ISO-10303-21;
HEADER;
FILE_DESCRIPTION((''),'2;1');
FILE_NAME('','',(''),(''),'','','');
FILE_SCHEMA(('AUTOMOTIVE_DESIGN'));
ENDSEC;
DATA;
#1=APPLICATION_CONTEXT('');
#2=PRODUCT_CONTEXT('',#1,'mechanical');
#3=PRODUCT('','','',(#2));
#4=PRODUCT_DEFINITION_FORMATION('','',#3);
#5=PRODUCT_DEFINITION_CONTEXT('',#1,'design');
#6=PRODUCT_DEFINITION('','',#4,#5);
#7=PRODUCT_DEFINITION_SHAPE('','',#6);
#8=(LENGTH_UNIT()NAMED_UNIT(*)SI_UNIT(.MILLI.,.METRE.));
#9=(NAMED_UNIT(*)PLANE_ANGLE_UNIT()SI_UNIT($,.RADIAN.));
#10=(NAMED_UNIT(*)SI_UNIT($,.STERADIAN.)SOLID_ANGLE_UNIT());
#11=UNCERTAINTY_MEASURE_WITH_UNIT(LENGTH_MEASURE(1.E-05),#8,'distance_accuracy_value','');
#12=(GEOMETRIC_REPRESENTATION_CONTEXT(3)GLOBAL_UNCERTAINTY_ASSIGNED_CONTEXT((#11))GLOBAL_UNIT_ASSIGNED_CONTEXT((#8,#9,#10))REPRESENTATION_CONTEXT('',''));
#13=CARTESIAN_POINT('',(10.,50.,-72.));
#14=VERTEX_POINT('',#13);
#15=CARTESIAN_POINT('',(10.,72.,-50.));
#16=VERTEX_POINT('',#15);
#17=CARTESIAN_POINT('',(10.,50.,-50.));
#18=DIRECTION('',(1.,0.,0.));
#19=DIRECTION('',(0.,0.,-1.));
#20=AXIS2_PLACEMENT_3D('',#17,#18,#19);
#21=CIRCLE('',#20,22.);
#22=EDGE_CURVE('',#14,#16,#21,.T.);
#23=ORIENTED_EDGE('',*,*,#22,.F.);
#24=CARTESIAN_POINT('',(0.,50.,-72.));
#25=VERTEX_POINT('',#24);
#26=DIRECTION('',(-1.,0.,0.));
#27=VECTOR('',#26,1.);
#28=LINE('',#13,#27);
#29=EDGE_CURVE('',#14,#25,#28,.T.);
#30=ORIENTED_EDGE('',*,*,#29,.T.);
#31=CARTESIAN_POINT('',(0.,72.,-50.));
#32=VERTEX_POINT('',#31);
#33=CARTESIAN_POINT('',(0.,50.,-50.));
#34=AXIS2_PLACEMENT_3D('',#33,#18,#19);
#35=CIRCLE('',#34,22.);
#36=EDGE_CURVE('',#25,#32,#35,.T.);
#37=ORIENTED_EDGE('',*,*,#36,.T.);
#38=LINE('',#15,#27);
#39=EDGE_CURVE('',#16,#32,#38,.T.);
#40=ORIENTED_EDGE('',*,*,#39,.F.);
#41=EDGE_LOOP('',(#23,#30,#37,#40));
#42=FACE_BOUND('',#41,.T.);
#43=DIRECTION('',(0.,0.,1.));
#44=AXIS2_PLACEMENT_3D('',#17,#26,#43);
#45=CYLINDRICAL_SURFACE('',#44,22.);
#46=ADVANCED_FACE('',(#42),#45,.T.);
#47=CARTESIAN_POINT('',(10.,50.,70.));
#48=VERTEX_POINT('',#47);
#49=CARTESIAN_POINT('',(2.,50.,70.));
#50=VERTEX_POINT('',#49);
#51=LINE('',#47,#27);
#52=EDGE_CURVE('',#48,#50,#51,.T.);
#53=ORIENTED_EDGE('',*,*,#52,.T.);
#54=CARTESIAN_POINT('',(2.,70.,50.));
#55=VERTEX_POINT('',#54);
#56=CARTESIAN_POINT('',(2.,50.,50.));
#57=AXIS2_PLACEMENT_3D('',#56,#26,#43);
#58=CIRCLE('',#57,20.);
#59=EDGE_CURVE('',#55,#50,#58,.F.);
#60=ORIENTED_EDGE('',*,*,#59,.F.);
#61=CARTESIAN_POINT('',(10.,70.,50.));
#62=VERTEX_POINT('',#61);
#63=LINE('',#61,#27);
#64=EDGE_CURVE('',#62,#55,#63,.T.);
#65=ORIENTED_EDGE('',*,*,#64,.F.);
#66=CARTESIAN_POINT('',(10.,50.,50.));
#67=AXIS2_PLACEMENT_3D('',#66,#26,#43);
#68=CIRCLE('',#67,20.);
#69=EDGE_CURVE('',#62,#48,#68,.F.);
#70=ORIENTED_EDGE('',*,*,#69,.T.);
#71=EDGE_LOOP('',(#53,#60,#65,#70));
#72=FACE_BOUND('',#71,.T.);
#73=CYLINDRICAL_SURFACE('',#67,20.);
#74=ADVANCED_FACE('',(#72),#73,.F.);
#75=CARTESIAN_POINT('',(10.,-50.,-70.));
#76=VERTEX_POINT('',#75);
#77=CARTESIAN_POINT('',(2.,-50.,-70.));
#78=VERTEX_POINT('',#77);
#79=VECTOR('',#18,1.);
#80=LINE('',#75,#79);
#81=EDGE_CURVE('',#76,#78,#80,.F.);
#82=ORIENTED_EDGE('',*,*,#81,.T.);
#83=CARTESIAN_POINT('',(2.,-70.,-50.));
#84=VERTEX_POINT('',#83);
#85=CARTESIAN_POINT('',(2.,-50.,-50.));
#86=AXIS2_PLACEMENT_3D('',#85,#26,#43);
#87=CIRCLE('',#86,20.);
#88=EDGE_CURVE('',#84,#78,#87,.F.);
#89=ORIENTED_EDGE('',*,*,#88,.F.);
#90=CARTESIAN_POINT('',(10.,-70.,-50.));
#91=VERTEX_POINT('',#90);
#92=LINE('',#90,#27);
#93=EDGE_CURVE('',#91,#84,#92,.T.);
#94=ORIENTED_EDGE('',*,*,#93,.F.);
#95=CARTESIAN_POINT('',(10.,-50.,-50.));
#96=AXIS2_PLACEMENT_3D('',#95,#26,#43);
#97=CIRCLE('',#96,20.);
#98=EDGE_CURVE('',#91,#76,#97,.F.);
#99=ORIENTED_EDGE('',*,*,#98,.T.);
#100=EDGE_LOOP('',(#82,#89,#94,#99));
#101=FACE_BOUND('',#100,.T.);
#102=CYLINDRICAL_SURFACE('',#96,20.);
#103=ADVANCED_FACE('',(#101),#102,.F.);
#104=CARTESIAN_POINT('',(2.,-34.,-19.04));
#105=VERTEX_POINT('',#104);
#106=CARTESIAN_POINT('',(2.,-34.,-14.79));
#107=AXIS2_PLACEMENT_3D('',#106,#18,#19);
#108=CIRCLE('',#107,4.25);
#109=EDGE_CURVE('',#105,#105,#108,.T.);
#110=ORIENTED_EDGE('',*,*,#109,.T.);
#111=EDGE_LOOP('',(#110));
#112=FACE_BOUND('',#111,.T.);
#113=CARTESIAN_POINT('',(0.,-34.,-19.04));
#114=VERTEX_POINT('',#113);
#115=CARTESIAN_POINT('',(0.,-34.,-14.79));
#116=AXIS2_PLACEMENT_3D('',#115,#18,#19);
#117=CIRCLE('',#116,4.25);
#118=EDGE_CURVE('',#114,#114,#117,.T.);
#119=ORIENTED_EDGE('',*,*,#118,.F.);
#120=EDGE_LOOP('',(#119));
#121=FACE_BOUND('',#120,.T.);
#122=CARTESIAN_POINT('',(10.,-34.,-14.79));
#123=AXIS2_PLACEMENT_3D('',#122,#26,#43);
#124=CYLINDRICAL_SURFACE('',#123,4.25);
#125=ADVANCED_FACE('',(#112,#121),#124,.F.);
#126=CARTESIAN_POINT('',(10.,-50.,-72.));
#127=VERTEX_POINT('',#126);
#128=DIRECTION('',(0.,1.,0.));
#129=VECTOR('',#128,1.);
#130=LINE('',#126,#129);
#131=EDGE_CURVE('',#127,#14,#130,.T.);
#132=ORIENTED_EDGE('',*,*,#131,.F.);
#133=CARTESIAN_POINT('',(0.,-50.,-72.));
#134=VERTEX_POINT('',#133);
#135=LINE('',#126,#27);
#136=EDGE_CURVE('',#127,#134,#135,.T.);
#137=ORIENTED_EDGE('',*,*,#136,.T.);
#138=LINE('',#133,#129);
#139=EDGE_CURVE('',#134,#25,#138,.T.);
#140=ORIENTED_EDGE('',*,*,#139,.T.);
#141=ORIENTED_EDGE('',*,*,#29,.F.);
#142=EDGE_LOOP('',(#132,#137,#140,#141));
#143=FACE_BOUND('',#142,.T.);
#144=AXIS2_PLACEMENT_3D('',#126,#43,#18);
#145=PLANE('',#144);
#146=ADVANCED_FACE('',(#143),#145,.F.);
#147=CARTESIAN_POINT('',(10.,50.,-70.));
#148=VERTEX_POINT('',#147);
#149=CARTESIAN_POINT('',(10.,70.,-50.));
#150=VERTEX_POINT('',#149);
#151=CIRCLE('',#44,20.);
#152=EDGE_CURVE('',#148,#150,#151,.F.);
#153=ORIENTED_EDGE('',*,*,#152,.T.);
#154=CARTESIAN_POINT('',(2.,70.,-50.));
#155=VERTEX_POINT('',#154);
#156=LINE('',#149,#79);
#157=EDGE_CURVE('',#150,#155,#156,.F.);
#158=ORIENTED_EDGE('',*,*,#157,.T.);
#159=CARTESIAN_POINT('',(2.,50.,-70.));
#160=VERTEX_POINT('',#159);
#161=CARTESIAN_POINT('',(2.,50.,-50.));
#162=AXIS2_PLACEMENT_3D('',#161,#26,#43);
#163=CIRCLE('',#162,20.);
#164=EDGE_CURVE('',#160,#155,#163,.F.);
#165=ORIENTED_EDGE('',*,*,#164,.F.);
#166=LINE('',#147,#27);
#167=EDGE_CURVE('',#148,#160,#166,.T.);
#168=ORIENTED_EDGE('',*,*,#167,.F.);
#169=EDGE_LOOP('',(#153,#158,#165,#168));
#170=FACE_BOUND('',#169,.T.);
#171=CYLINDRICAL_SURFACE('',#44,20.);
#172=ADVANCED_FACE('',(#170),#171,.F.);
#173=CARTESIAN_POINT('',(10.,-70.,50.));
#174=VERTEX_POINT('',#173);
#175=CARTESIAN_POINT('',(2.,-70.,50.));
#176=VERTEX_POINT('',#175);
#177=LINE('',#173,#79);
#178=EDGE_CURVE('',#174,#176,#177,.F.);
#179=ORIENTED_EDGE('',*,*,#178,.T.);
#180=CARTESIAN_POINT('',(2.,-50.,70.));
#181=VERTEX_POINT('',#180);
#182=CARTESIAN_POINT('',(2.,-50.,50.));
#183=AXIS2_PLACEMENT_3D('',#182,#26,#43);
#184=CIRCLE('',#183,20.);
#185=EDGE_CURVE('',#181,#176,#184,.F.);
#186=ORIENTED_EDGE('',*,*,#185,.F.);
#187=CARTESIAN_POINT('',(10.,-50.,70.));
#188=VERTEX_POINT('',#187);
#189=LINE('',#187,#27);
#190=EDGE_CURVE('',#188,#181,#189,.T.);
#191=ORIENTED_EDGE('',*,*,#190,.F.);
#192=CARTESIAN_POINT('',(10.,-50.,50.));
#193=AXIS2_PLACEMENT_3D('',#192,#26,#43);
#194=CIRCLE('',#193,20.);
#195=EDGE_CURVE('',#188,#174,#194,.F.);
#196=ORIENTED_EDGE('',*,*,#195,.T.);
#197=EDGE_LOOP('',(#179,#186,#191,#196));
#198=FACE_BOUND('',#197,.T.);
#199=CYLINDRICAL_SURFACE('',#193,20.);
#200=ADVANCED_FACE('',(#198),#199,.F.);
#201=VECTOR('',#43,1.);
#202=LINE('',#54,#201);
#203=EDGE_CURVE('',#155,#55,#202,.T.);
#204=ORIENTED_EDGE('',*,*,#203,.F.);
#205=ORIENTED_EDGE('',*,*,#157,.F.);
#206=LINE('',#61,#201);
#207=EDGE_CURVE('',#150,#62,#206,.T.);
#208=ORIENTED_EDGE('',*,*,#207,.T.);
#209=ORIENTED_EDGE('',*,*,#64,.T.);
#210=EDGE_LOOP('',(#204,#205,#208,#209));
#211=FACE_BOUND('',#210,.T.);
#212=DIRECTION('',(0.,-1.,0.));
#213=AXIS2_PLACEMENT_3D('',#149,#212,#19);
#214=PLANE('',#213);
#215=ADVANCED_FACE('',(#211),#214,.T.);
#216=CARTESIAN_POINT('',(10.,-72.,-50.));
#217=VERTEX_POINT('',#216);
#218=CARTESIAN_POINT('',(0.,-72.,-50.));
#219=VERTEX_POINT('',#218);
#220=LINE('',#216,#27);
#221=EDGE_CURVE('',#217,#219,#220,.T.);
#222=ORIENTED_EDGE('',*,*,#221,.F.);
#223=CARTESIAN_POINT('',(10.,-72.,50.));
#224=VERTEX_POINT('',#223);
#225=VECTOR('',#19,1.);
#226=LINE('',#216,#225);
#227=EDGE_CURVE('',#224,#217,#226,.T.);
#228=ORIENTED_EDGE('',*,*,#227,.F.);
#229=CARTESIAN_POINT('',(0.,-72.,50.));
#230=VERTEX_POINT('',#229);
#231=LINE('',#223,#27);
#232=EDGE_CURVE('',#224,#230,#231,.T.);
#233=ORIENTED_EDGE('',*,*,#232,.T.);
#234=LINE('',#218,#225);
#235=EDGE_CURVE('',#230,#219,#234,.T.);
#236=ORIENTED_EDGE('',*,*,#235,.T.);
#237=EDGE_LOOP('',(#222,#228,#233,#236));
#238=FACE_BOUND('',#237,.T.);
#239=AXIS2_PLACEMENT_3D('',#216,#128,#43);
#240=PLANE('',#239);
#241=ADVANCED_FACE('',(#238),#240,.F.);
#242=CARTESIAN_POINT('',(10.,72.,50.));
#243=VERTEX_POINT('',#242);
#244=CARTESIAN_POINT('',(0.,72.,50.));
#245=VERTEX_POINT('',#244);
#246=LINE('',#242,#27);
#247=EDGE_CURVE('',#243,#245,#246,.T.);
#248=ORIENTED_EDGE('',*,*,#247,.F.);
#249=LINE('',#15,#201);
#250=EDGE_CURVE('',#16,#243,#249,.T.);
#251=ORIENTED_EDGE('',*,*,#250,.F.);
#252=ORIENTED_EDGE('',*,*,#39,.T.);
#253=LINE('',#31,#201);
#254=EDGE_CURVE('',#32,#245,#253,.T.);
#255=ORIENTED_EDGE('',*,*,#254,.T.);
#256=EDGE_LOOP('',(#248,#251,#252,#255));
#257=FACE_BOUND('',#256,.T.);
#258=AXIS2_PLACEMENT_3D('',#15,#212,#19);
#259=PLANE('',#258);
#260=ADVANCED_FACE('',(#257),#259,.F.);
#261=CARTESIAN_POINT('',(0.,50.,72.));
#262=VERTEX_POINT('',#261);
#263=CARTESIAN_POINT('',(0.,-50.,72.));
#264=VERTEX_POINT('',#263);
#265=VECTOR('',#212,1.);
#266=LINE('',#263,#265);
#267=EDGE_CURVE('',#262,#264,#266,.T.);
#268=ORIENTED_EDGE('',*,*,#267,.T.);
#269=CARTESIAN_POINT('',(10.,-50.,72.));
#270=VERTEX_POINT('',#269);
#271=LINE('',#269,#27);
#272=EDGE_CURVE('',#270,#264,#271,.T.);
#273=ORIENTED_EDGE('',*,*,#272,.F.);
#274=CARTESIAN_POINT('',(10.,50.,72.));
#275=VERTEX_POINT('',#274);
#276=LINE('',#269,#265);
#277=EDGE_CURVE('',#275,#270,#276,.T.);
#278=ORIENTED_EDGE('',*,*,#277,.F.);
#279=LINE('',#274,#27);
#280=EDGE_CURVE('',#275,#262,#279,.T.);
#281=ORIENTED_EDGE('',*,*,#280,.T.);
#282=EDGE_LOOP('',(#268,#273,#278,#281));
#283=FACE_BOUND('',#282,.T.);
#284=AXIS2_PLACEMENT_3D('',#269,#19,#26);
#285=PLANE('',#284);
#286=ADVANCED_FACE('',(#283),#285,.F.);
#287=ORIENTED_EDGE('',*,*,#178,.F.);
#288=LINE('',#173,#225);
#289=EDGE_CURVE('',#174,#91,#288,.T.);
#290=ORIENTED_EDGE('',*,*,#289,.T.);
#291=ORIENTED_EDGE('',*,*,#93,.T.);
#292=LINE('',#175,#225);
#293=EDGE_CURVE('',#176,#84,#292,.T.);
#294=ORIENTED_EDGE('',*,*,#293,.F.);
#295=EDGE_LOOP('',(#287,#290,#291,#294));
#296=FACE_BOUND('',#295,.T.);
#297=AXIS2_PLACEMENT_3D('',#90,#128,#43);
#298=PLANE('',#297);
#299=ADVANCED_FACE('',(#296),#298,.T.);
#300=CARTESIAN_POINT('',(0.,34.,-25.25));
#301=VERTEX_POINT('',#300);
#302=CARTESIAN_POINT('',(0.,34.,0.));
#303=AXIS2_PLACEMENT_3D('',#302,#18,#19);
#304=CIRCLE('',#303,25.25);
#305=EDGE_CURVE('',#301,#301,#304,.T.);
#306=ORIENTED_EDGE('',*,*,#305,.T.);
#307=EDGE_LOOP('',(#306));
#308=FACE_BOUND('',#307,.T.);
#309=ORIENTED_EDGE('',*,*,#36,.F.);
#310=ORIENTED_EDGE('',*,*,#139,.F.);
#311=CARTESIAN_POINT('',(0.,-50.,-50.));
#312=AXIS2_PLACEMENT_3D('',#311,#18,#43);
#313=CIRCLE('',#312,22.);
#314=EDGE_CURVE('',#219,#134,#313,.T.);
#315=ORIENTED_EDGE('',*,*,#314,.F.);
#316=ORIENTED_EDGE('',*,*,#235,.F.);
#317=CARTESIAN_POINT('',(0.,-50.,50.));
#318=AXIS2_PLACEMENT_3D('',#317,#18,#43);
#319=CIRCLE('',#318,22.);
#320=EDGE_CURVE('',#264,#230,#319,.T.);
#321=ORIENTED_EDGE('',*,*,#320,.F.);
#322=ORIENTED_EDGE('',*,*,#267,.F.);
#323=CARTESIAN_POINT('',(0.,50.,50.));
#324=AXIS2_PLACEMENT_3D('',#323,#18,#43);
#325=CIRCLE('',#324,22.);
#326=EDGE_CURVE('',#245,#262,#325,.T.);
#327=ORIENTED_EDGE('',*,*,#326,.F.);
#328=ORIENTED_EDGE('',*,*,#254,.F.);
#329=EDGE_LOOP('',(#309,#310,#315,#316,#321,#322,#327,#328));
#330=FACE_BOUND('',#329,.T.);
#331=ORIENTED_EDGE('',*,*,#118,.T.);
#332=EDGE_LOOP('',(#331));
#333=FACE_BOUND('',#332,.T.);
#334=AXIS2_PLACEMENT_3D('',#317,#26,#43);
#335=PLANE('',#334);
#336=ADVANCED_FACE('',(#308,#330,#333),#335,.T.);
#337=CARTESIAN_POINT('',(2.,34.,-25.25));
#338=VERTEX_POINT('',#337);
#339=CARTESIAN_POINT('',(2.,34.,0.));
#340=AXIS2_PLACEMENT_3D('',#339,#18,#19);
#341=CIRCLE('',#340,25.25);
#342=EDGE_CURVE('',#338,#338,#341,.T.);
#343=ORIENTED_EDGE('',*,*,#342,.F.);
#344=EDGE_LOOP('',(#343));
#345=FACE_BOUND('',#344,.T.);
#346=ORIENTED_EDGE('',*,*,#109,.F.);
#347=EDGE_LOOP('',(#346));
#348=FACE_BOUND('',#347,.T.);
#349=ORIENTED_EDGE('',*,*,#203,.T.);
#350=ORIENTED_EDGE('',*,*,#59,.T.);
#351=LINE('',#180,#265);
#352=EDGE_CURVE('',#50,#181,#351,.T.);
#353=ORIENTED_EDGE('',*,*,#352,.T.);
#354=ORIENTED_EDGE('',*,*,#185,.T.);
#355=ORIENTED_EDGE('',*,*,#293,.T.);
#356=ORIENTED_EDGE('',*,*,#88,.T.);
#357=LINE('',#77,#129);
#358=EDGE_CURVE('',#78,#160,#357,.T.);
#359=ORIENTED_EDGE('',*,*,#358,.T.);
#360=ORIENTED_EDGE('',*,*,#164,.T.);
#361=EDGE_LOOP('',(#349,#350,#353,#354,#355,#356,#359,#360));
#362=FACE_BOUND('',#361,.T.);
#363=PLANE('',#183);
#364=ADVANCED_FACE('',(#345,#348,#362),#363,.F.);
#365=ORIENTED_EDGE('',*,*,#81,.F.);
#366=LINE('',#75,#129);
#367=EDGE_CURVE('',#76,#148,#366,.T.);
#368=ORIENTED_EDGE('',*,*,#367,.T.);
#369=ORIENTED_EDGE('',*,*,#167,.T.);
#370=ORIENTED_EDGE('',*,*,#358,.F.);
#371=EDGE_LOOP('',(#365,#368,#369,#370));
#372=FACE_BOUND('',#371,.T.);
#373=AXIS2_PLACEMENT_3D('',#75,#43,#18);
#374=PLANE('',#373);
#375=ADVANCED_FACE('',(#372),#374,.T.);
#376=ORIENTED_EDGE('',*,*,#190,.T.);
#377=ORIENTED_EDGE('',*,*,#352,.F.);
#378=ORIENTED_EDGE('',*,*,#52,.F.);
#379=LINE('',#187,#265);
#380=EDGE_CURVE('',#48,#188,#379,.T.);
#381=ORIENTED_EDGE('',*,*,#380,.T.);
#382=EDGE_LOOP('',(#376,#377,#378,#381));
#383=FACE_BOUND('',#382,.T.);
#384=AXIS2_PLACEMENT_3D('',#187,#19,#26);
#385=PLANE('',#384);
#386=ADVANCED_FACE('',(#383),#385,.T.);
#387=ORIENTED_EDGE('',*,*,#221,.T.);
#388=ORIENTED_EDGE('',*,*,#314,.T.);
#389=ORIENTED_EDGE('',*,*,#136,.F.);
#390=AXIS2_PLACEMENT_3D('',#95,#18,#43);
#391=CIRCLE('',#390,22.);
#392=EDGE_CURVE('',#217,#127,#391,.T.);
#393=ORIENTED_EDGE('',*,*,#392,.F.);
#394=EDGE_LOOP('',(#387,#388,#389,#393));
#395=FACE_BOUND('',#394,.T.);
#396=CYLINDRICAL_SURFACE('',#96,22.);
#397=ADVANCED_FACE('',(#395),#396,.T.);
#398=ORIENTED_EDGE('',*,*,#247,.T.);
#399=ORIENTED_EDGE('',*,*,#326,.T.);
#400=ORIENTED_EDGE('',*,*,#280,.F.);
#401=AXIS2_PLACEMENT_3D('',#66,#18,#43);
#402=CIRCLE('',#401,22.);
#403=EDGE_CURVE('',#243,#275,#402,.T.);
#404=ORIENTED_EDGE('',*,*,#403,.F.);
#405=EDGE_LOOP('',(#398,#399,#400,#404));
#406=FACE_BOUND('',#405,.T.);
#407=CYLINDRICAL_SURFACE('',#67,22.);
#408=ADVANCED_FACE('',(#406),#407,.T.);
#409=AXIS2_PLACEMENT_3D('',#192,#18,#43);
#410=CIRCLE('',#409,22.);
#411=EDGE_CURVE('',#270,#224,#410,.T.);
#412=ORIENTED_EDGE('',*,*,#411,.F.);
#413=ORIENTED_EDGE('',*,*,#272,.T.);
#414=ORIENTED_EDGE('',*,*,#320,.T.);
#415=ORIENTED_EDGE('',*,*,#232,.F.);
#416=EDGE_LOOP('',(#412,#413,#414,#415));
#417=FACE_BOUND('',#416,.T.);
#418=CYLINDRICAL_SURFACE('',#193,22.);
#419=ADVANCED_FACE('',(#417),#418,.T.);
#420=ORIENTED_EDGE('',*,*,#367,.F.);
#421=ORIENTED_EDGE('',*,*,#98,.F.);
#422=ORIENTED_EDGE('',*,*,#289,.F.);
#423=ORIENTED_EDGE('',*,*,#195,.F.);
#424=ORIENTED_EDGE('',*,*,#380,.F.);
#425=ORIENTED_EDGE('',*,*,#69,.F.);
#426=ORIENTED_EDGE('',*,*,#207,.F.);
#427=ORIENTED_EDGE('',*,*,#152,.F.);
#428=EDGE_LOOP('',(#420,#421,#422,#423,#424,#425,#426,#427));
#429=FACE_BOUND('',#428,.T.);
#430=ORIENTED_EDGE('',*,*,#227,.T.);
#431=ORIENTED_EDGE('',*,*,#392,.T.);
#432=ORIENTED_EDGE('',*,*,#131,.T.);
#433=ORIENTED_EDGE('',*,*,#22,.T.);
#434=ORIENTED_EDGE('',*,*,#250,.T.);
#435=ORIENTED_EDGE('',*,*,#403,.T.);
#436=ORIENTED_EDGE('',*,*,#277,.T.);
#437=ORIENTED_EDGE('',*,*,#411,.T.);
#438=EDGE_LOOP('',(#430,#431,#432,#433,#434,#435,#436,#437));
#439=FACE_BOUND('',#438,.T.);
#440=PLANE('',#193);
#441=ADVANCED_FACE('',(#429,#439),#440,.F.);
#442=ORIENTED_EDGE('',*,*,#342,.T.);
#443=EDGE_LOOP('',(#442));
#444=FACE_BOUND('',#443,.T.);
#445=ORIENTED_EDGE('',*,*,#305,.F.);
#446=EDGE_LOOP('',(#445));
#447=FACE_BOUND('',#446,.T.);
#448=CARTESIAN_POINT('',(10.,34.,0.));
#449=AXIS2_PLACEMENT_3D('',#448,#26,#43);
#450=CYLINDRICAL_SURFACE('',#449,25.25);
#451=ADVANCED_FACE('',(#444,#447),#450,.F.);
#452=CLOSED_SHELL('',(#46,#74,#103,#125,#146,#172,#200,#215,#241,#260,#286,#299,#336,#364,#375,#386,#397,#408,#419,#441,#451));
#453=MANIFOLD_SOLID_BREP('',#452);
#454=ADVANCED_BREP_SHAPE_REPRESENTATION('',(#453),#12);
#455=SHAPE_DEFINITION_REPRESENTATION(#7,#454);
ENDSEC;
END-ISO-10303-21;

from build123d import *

# Parameters (mm, degrees)
SKETCH1_R           = 25.25
SKETCH1_R_2         = 4.25
BOSS_EXTRUDE1_DEPTH = 10
SHELL1_T            = -2
SKETCH2_R           = 63.400619105
CUT_EXTRUDE1_DEPTH  = 29


with BuildPart() as part:
    # Sketch1 → Boss-Extrude1 (new body)
    with BuildSketch(Plane.YZ):
        with BuildLine():
            Line((-50, 72), (50, 72))
            ThreePointArc((50, 72), (65.556349186, 65.556349186), (72, 50))
            Line((72, 50), (72, -50))
            ThreePointArc((72, -50), (65.556349186, -65.556349186), (50, -72))
            Line((50, -72), (-50, -72))
            ThreePointArc((-50, -72), (-65.556349186, -65.556349186), (-72, -50))
            Line((-72, -50), (-72, 50))
            ThreePointArc((-72, 50), (-65.556349186, 65.556349186), (-50, 72))
        make_face()
        with Locations(Location((34, 0, 0), (0, 0, 270))):
            Circle(SKETCH1_R, mode=Mode.SUBTRACT)
        with Locations(Location((-34, -14.79, 0), (0, 0, 270))):
            Circle(SKETCH1_R_2, mode=Mode.SUBTRACT)
    extrude(amount=BOSS_EXTRUDE1_DEPTH)

    # Shell1
    shell1_openings = [part.faces().sort_by_distance(p)[0] for p in [
        (10, -3.623679056, 0.045959525),
    ]]
    offset(amount=SHELL1_T, openings=shell1_openings, kind=Kind.INTERSECTION)

    # Sketch2 → Cut-Extrude1 (cut)
    with BuildSketch(Plane.YZ.offset(2)):
        Circle(SKETCH2_R)
    extrude(amount=CUT_EXTRUDE1_DEPTH, mode=Mode.SUBTRACT)


solid = part.part
